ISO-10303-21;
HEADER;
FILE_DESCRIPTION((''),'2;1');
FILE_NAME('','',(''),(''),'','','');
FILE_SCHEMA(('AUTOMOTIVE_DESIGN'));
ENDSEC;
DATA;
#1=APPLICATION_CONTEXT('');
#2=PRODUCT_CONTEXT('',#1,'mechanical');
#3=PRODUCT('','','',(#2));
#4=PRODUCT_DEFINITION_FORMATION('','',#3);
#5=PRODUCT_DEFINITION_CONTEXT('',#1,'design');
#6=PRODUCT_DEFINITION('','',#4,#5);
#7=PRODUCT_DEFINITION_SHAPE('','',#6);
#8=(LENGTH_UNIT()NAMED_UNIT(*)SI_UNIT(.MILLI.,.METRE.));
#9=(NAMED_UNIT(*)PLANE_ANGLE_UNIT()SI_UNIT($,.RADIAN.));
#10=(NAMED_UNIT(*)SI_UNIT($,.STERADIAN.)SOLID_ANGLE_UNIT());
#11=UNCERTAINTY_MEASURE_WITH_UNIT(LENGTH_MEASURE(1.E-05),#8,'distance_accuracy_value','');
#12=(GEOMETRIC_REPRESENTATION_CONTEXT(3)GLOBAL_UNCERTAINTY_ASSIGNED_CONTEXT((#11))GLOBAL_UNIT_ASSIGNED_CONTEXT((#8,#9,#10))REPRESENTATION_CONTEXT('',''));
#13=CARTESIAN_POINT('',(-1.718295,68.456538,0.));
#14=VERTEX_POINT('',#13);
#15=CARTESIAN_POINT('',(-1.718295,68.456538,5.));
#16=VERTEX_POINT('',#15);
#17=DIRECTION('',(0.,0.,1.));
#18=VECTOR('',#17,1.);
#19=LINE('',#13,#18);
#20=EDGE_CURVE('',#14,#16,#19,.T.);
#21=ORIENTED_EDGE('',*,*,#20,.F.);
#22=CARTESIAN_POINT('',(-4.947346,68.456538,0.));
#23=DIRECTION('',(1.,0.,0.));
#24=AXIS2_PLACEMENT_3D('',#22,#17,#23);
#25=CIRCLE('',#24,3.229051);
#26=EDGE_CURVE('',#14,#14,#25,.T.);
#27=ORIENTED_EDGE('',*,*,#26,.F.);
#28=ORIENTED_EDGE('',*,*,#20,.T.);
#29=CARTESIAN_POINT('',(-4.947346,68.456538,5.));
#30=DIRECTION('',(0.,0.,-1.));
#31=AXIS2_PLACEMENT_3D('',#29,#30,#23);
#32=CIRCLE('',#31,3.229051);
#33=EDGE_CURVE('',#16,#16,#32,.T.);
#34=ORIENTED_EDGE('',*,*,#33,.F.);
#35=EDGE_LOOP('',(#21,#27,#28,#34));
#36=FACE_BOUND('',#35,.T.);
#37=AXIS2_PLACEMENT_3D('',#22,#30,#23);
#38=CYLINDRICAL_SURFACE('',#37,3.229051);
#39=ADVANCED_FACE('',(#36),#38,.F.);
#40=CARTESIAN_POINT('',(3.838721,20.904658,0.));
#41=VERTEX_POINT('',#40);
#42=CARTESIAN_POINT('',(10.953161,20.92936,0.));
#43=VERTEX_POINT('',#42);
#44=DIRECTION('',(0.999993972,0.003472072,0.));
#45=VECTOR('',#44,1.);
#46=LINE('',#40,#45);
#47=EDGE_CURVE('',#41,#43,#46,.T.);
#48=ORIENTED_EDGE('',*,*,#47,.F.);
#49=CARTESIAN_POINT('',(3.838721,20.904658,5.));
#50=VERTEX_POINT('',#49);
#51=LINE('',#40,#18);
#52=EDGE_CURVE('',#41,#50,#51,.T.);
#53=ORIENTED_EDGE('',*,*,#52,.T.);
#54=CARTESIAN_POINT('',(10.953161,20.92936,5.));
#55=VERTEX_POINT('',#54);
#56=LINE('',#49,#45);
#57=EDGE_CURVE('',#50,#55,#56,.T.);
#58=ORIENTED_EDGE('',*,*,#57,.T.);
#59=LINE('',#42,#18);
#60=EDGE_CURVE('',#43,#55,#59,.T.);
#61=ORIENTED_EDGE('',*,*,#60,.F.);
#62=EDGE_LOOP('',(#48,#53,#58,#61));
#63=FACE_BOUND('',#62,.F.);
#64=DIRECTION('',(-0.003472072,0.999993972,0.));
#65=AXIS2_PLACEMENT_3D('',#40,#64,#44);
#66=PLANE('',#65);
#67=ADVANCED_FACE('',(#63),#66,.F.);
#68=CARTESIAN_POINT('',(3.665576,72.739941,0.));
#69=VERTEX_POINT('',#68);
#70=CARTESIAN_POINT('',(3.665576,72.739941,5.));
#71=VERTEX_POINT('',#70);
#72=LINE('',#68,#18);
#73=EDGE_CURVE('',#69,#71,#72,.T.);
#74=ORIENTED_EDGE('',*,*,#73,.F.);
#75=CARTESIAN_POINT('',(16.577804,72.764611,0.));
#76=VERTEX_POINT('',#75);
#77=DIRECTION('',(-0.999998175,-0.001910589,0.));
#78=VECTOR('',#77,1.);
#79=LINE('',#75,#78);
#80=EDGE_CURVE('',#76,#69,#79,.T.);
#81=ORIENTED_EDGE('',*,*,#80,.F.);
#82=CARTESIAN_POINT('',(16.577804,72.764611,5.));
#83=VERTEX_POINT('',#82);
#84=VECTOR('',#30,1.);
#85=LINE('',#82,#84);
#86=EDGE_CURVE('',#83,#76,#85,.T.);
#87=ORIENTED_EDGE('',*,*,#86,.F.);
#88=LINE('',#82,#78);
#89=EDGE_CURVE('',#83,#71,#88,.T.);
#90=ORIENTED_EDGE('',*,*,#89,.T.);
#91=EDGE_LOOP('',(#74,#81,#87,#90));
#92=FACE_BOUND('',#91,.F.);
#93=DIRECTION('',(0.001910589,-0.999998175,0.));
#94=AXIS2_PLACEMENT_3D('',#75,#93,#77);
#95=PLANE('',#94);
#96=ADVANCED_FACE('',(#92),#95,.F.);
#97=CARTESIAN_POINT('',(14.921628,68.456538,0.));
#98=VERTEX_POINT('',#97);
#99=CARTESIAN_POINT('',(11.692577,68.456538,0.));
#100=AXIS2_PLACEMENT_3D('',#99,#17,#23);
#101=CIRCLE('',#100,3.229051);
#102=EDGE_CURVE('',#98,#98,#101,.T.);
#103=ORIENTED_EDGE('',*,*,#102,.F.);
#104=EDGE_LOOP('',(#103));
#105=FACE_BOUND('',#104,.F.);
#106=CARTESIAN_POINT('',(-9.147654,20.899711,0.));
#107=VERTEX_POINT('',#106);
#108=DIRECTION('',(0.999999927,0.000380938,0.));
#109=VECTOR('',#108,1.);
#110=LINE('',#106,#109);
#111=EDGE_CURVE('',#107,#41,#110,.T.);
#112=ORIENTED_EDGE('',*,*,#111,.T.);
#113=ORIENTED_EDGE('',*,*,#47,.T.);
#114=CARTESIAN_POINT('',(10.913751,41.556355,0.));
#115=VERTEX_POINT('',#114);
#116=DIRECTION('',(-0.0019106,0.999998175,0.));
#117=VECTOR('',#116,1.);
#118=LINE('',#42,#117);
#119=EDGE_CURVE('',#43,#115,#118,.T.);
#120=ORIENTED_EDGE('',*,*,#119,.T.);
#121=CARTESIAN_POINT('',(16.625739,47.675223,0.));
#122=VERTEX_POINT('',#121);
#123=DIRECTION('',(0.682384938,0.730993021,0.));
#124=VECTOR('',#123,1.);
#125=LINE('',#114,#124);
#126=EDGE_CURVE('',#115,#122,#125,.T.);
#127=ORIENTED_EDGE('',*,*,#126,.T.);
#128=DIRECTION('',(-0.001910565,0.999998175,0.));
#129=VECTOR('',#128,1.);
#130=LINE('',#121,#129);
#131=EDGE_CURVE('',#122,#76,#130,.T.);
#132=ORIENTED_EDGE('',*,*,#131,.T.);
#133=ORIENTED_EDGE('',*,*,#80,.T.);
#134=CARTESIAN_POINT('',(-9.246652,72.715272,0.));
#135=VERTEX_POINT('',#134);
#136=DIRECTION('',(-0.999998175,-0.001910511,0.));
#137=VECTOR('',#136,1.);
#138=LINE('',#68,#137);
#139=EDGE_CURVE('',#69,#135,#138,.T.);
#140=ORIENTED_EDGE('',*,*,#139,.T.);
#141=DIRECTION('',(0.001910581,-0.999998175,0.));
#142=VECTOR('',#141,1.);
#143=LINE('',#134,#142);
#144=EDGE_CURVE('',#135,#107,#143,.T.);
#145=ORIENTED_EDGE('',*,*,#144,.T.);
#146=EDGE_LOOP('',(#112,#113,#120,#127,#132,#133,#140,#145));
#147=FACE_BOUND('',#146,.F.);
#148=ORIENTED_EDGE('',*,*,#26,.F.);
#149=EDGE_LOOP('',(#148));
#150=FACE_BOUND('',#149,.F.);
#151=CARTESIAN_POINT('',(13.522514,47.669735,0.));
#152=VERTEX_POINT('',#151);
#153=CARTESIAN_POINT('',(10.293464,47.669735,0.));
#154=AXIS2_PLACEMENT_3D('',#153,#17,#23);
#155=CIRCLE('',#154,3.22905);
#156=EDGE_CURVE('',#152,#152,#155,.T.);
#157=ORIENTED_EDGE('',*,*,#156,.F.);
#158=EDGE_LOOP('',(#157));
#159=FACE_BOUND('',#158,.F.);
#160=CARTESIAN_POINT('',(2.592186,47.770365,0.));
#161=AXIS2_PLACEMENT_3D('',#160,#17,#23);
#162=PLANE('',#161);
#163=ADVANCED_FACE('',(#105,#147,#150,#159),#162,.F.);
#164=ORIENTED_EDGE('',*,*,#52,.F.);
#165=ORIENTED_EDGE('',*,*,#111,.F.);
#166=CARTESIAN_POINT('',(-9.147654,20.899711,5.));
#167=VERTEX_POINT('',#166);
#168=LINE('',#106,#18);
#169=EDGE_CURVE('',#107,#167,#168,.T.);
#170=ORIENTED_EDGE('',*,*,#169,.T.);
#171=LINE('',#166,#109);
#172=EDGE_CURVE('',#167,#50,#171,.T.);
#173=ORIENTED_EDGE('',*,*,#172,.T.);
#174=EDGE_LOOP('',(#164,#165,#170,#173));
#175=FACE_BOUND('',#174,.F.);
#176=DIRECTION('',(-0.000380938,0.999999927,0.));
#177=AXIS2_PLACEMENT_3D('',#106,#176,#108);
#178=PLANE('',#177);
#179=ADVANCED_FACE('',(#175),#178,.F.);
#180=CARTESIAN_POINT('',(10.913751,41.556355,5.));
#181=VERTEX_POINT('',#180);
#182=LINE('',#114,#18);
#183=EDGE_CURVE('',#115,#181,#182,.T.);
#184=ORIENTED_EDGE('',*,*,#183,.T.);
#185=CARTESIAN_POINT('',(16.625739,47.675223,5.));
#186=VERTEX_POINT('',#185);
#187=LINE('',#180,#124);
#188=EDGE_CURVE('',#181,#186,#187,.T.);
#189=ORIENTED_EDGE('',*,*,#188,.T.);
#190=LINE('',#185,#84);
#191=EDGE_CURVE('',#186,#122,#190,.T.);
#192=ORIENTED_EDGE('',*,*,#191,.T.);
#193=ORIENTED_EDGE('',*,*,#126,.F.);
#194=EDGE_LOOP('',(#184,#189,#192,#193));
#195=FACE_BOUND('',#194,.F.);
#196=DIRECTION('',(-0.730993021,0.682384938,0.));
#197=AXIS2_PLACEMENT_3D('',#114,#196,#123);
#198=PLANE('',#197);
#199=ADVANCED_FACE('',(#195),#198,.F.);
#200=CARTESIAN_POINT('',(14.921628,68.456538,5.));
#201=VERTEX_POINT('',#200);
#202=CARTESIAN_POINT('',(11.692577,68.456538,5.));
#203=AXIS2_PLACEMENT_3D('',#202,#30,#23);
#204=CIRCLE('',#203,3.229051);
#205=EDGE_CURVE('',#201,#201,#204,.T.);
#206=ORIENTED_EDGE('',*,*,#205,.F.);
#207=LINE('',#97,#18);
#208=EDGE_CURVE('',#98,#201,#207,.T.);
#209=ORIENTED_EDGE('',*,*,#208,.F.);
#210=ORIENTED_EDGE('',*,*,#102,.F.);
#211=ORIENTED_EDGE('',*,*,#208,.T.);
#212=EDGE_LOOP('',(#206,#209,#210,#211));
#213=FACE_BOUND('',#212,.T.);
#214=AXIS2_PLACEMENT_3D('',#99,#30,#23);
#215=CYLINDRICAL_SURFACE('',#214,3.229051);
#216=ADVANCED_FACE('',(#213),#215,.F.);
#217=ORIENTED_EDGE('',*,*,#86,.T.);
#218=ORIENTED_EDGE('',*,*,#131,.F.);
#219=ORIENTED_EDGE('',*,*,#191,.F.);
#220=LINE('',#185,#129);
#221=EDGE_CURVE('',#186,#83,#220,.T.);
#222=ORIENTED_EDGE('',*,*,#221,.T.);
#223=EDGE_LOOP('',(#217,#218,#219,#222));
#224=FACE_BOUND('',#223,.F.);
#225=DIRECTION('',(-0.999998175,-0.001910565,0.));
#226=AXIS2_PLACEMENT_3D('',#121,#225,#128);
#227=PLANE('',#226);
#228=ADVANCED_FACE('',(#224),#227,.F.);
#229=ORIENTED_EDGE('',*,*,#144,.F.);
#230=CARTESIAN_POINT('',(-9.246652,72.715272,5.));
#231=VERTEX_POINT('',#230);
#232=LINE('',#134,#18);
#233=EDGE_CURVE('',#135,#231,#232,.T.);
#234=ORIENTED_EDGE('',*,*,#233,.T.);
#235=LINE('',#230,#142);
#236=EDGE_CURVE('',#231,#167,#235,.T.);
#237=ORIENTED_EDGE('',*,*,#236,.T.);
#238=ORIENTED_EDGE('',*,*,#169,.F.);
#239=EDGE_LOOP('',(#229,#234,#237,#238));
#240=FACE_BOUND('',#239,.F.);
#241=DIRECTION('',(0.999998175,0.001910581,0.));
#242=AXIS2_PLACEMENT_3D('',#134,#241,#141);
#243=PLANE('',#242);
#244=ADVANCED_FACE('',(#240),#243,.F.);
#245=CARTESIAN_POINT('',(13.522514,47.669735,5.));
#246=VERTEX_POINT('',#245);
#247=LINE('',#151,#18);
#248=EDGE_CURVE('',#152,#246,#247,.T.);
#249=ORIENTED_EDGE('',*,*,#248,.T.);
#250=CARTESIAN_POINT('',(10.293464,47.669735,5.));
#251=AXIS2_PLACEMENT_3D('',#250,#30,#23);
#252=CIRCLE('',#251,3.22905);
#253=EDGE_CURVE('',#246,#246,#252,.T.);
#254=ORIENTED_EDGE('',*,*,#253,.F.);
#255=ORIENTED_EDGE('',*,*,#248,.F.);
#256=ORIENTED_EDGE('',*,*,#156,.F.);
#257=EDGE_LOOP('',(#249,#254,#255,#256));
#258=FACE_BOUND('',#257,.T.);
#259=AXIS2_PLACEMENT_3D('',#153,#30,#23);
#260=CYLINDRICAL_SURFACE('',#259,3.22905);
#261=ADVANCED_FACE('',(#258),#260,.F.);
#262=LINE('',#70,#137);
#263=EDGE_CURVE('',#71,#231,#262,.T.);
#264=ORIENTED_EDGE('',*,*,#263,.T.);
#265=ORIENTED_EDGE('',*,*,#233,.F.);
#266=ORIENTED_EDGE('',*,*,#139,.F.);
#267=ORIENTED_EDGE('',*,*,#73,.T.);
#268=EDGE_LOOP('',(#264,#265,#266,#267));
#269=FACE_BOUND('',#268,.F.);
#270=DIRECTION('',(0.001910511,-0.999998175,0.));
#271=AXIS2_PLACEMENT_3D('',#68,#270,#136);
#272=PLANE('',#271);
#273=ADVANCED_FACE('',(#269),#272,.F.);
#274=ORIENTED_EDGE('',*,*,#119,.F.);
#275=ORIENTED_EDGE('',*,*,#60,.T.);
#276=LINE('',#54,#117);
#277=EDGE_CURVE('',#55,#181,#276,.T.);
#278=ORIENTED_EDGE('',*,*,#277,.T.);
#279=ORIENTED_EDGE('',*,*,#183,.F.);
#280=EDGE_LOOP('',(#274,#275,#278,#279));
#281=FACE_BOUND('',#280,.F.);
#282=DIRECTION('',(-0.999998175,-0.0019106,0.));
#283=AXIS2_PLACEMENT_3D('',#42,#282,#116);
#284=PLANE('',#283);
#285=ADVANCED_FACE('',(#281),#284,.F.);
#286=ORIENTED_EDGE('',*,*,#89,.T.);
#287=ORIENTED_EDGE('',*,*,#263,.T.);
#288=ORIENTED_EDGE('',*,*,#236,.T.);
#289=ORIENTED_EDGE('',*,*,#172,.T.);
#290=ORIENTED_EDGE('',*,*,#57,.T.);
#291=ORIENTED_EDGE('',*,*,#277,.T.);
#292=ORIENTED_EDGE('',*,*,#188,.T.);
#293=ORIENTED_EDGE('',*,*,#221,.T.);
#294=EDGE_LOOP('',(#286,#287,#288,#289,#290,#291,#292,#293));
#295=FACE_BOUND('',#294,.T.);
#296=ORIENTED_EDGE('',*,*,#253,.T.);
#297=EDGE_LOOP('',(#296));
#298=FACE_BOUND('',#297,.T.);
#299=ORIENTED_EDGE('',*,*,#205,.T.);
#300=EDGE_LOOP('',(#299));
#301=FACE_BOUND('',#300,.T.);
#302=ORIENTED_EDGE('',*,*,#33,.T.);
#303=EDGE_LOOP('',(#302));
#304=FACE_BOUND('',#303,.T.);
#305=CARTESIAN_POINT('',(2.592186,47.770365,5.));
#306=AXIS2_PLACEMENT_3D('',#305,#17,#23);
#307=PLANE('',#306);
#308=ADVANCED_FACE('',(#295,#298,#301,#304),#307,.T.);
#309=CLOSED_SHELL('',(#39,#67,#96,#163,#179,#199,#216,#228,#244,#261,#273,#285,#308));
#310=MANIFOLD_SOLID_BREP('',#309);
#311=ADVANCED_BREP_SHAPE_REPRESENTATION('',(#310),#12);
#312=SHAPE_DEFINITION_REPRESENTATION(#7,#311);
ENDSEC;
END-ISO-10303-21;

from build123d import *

# Parameters (mm, degrees)
F1_DEPTH = 5
F2_DEPTH = 4
F3_DEPTH = 4
F4_R     = 3.22905
F4_R_2   = 3.229051
F5_DEPTH = 25


with BuildPart() as f1:
    # F0 (on Top) → F1 (new body)
    with BuildSketch(Plane.XY):
        Polygon((16.577804, 72.764611), (3.665576, 72.739941), (-9.246652, 72.715272), (-9.147654, 20.899711), (3.838721, 20.904658), (10.953161, 20.92936), (10.913751, 41.556355), (16.625739, 47.675223), align=None)
    extrude(amount=F1_DEPTH)

    # F0 (on Top) → F2 (join)
    with BuildSketch(Plane.XY):
        Polygon((16.577804, 72.764611), (3.665576, 72.739941), (-9.246652, 72.715272), (-9.147654, 20.899711), (3.838721, 20.904658), (10.953161, 20.92936), (10.913751, 41.556355), (16.625739, 47.675223), align=None)
    extrude(amount=F2_DEPTH)

    # F0 (on Top) → F3 (join)
    with BuildSketch(Plane.XY):
        Polygon((16.577804, 72.764611), (3.665576, 72.739941), (-9.246652, 72.715272), (-9.147654, 20.899711), (3.838721, 20.904658), (10.953161, 20.92936), (10.913751, 41.556355), (16.625739, 47.675223), align=None)
    extrude(amount=F3_DEPTH)

    # F4 (on Top) → F5 (cut)
    with BuildSketch(Plane.XY):
        with Locations((10.293464, 47.669735)):
            Circle(F4_R)
        with Locations((11.692577, 68.456538)):
            Circle(F4_R_2)
        with Locations((-4.947346, 68.456538)):
            Circle(F4_R_2)
    extrude(amount=F5_DEPTH, mode=Mode.SUBTRACT)


solid = f1.part
